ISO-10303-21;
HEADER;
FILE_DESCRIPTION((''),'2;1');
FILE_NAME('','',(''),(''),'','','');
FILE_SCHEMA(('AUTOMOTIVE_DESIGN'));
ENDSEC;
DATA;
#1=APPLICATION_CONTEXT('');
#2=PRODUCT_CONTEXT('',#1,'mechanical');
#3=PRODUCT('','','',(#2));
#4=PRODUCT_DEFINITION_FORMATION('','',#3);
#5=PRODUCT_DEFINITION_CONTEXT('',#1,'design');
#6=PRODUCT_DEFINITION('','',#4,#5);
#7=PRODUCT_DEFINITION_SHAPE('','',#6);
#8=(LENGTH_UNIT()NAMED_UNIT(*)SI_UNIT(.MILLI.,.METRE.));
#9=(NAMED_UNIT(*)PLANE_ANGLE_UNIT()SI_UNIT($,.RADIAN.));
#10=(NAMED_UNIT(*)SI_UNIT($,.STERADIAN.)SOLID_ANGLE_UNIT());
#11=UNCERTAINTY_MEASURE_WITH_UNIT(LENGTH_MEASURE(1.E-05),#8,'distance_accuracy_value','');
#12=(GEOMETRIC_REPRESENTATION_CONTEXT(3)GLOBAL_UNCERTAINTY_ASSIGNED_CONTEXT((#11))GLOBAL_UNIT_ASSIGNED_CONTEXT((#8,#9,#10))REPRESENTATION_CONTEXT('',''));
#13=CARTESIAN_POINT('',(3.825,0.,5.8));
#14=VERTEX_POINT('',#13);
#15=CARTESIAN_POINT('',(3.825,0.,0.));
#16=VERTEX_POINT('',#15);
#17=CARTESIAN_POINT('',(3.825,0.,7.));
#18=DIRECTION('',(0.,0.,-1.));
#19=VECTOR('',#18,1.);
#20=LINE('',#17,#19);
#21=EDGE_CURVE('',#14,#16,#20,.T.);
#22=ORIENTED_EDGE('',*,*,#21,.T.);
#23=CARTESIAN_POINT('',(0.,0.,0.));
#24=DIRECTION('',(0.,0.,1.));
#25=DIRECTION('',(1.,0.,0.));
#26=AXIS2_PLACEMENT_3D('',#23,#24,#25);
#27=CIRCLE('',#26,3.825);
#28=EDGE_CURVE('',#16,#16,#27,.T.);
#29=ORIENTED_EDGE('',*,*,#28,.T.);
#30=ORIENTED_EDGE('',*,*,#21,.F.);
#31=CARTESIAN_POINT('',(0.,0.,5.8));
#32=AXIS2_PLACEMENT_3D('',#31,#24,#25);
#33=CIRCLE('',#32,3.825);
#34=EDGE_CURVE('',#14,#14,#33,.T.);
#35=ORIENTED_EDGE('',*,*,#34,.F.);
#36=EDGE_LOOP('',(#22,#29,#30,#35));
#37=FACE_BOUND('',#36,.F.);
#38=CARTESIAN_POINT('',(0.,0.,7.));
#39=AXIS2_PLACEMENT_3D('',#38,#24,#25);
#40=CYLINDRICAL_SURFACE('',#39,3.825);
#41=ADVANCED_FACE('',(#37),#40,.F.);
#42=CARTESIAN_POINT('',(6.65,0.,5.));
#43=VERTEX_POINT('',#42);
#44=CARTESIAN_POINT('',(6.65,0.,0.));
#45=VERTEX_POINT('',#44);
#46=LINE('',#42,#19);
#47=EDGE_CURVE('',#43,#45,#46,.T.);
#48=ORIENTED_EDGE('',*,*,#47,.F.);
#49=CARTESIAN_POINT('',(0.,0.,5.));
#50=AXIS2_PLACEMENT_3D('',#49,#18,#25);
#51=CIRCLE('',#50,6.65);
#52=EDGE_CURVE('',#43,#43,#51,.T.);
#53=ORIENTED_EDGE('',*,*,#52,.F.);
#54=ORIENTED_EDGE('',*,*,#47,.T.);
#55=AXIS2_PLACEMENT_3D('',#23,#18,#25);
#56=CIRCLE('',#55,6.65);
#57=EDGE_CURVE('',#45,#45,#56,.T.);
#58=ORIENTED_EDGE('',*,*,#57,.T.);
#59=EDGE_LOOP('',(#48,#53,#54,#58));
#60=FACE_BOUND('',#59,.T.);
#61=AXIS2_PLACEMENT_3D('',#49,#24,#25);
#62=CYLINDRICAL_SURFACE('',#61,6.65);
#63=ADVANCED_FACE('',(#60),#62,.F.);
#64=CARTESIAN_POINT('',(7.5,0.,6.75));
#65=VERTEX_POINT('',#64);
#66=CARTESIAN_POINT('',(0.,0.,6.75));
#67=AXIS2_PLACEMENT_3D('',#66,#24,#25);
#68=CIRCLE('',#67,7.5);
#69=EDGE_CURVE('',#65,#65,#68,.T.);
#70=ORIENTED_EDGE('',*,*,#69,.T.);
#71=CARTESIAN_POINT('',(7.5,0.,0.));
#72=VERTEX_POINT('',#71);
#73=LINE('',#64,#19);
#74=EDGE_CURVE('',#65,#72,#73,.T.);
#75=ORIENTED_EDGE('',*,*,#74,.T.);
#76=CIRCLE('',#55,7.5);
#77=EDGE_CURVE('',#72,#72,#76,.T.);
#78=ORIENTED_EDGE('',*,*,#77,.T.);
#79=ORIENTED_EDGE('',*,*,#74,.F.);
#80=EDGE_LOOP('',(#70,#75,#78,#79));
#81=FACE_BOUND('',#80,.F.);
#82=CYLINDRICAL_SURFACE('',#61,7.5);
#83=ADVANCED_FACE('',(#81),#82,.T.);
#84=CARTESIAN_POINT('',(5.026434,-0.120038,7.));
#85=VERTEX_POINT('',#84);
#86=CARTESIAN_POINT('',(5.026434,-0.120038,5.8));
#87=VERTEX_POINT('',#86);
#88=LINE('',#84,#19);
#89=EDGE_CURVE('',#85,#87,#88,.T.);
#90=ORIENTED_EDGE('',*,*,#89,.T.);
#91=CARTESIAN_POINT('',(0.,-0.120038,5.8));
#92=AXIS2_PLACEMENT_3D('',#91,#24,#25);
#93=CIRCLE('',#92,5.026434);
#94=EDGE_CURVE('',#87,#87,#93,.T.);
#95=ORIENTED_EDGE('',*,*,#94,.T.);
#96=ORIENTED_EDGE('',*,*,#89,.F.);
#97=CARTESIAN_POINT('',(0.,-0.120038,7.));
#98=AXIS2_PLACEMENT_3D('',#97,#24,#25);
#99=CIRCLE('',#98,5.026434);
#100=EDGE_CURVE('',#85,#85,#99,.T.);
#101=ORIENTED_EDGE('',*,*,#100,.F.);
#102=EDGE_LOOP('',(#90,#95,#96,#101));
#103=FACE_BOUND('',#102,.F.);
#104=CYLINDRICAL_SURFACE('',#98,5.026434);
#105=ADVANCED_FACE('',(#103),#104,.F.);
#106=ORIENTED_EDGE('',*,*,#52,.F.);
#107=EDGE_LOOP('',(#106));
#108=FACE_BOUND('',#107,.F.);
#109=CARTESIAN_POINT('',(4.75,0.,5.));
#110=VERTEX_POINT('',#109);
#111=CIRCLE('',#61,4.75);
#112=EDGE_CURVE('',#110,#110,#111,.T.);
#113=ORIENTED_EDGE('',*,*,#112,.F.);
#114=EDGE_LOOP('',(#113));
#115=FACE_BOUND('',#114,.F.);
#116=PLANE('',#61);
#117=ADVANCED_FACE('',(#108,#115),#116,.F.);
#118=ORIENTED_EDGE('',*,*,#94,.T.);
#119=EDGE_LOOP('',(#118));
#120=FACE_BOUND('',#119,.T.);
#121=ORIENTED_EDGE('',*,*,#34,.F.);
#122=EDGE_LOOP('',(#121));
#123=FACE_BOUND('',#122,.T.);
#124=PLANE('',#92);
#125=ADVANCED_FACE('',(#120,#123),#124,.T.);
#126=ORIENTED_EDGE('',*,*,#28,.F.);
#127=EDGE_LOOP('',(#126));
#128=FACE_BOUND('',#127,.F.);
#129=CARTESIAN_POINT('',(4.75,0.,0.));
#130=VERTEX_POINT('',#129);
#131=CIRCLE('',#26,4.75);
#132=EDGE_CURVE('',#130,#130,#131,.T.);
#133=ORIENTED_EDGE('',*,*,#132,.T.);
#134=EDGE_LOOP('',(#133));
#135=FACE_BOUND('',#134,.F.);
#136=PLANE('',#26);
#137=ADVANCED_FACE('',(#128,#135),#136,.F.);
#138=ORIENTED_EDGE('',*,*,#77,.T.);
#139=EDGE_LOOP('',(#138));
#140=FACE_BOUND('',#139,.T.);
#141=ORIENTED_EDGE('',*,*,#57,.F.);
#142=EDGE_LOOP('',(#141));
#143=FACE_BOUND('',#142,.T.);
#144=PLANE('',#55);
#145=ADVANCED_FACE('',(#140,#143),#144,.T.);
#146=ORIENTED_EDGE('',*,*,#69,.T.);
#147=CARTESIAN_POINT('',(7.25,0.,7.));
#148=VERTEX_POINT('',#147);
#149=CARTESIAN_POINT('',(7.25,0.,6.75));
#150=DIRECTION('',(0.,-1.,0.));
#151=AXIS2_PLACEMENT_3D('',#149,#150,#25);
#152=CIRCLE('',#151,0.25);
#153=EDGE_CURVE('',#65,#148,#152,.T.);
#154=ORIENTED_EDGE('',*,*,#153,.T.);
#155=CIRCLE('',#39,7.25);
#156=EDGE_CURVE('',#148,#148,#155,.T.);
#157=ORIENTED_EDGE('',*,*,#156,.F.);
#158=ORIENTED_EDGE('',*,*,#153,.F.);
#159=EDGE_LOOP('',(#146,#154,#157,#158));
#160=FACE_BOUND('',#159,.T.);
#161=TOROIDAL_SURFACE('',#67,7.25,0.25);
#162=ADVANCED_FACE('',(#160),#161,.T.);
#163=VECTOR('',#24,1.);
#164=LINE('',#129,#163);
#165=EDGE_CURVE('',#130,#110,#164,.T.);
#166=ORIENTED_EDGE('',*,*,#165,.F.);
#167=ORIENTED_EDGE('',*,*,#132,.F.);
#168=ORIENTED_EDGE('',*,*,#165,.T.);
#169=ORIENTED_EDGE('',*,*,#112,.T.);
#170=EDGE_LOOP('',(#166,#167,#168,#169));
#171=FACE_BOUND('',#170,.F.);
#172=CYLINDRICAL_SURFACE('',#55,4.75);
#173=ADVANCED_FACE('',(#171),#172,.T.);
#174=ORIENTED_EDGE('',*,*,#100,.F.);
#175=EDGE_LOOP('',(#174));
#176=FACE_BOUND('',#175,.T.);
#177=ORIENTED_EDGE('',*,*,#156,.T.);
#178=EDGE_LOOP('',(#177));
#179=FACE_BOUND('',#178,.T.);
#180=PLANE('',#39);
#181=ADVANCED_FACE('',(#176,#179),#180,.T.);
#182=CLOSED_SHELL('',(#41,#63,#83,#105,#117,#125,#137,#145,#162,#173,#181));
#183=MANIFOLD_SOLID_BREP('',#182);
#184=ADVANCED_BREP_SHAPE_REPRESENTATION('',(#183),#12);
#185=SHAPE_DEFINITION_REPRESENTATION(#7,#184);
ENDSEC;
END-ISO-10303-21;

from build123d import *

# Parameters (mm, degrees)
F0_R      = 4.75
F1_DEPTH  = 5
F2_R      = 7.5
F3_DEPTH  = 2
F4_R      = 3.825
F5_DEPTH  = 25
F6_R      = 0.25
F7_R      = 7.5
F7_R_2    = 6.65
F8_DEPTH  = 5
F9_R      = 5.0264335275
F9_R_2    = 3.825
F10_DEPTH = 1.2


with BuildPart() as f1:
    # F0 (on Top) → F1 (new body)
    with BuildSketch(Plane.XY):
        Circle(F0_R)
    extrude(amount=F1_DEPTH)

    # F2 (on face) → F3 (join)
    with BuildSketch(Plane.XY.offset(5)):
        Circle(F2_R)
    extrude(amount=F3_DEPTH)

    # F4 (on face) → F5 (cut)
    with BuildSketch(Plane.XY.offset(7)):
        Circle(F4_R)
    extrude(amount=-F5_DEPTH, mode=Mode.SUBTRACT)

    # F6
    f6_edges = [f1.edges().sort_by_distance(p)[0] for p in [
        (-7.5, 0, 7),
    ]]
    fillet(f6_edges, radius=F6_R)

    # F7 (on face) → F8 (join)
    with BuildSketch(Plane(origin=(0, 0, 5), x_dir=(1, 0, 0), z_dir=(0, 0, -1))):
        Circle(F7_R)
        Circle(F7_R_2, mode=Mode.SUBTRACT)
    extrude(amount=F8_DEPTH)

    # F9 (on face) → F10 (cut)
    with BuildSketch(Plane.XY.offset(7)):
        with Locations((0, -0.1200375191)):
            Circle(F9_R)
        Circle(F9_R_2, mode=Mode.SUBTRACT)
    extrude(amount=-F10_DEPTH, mode=Mode.SUBTRACT)


solid = f1.part
